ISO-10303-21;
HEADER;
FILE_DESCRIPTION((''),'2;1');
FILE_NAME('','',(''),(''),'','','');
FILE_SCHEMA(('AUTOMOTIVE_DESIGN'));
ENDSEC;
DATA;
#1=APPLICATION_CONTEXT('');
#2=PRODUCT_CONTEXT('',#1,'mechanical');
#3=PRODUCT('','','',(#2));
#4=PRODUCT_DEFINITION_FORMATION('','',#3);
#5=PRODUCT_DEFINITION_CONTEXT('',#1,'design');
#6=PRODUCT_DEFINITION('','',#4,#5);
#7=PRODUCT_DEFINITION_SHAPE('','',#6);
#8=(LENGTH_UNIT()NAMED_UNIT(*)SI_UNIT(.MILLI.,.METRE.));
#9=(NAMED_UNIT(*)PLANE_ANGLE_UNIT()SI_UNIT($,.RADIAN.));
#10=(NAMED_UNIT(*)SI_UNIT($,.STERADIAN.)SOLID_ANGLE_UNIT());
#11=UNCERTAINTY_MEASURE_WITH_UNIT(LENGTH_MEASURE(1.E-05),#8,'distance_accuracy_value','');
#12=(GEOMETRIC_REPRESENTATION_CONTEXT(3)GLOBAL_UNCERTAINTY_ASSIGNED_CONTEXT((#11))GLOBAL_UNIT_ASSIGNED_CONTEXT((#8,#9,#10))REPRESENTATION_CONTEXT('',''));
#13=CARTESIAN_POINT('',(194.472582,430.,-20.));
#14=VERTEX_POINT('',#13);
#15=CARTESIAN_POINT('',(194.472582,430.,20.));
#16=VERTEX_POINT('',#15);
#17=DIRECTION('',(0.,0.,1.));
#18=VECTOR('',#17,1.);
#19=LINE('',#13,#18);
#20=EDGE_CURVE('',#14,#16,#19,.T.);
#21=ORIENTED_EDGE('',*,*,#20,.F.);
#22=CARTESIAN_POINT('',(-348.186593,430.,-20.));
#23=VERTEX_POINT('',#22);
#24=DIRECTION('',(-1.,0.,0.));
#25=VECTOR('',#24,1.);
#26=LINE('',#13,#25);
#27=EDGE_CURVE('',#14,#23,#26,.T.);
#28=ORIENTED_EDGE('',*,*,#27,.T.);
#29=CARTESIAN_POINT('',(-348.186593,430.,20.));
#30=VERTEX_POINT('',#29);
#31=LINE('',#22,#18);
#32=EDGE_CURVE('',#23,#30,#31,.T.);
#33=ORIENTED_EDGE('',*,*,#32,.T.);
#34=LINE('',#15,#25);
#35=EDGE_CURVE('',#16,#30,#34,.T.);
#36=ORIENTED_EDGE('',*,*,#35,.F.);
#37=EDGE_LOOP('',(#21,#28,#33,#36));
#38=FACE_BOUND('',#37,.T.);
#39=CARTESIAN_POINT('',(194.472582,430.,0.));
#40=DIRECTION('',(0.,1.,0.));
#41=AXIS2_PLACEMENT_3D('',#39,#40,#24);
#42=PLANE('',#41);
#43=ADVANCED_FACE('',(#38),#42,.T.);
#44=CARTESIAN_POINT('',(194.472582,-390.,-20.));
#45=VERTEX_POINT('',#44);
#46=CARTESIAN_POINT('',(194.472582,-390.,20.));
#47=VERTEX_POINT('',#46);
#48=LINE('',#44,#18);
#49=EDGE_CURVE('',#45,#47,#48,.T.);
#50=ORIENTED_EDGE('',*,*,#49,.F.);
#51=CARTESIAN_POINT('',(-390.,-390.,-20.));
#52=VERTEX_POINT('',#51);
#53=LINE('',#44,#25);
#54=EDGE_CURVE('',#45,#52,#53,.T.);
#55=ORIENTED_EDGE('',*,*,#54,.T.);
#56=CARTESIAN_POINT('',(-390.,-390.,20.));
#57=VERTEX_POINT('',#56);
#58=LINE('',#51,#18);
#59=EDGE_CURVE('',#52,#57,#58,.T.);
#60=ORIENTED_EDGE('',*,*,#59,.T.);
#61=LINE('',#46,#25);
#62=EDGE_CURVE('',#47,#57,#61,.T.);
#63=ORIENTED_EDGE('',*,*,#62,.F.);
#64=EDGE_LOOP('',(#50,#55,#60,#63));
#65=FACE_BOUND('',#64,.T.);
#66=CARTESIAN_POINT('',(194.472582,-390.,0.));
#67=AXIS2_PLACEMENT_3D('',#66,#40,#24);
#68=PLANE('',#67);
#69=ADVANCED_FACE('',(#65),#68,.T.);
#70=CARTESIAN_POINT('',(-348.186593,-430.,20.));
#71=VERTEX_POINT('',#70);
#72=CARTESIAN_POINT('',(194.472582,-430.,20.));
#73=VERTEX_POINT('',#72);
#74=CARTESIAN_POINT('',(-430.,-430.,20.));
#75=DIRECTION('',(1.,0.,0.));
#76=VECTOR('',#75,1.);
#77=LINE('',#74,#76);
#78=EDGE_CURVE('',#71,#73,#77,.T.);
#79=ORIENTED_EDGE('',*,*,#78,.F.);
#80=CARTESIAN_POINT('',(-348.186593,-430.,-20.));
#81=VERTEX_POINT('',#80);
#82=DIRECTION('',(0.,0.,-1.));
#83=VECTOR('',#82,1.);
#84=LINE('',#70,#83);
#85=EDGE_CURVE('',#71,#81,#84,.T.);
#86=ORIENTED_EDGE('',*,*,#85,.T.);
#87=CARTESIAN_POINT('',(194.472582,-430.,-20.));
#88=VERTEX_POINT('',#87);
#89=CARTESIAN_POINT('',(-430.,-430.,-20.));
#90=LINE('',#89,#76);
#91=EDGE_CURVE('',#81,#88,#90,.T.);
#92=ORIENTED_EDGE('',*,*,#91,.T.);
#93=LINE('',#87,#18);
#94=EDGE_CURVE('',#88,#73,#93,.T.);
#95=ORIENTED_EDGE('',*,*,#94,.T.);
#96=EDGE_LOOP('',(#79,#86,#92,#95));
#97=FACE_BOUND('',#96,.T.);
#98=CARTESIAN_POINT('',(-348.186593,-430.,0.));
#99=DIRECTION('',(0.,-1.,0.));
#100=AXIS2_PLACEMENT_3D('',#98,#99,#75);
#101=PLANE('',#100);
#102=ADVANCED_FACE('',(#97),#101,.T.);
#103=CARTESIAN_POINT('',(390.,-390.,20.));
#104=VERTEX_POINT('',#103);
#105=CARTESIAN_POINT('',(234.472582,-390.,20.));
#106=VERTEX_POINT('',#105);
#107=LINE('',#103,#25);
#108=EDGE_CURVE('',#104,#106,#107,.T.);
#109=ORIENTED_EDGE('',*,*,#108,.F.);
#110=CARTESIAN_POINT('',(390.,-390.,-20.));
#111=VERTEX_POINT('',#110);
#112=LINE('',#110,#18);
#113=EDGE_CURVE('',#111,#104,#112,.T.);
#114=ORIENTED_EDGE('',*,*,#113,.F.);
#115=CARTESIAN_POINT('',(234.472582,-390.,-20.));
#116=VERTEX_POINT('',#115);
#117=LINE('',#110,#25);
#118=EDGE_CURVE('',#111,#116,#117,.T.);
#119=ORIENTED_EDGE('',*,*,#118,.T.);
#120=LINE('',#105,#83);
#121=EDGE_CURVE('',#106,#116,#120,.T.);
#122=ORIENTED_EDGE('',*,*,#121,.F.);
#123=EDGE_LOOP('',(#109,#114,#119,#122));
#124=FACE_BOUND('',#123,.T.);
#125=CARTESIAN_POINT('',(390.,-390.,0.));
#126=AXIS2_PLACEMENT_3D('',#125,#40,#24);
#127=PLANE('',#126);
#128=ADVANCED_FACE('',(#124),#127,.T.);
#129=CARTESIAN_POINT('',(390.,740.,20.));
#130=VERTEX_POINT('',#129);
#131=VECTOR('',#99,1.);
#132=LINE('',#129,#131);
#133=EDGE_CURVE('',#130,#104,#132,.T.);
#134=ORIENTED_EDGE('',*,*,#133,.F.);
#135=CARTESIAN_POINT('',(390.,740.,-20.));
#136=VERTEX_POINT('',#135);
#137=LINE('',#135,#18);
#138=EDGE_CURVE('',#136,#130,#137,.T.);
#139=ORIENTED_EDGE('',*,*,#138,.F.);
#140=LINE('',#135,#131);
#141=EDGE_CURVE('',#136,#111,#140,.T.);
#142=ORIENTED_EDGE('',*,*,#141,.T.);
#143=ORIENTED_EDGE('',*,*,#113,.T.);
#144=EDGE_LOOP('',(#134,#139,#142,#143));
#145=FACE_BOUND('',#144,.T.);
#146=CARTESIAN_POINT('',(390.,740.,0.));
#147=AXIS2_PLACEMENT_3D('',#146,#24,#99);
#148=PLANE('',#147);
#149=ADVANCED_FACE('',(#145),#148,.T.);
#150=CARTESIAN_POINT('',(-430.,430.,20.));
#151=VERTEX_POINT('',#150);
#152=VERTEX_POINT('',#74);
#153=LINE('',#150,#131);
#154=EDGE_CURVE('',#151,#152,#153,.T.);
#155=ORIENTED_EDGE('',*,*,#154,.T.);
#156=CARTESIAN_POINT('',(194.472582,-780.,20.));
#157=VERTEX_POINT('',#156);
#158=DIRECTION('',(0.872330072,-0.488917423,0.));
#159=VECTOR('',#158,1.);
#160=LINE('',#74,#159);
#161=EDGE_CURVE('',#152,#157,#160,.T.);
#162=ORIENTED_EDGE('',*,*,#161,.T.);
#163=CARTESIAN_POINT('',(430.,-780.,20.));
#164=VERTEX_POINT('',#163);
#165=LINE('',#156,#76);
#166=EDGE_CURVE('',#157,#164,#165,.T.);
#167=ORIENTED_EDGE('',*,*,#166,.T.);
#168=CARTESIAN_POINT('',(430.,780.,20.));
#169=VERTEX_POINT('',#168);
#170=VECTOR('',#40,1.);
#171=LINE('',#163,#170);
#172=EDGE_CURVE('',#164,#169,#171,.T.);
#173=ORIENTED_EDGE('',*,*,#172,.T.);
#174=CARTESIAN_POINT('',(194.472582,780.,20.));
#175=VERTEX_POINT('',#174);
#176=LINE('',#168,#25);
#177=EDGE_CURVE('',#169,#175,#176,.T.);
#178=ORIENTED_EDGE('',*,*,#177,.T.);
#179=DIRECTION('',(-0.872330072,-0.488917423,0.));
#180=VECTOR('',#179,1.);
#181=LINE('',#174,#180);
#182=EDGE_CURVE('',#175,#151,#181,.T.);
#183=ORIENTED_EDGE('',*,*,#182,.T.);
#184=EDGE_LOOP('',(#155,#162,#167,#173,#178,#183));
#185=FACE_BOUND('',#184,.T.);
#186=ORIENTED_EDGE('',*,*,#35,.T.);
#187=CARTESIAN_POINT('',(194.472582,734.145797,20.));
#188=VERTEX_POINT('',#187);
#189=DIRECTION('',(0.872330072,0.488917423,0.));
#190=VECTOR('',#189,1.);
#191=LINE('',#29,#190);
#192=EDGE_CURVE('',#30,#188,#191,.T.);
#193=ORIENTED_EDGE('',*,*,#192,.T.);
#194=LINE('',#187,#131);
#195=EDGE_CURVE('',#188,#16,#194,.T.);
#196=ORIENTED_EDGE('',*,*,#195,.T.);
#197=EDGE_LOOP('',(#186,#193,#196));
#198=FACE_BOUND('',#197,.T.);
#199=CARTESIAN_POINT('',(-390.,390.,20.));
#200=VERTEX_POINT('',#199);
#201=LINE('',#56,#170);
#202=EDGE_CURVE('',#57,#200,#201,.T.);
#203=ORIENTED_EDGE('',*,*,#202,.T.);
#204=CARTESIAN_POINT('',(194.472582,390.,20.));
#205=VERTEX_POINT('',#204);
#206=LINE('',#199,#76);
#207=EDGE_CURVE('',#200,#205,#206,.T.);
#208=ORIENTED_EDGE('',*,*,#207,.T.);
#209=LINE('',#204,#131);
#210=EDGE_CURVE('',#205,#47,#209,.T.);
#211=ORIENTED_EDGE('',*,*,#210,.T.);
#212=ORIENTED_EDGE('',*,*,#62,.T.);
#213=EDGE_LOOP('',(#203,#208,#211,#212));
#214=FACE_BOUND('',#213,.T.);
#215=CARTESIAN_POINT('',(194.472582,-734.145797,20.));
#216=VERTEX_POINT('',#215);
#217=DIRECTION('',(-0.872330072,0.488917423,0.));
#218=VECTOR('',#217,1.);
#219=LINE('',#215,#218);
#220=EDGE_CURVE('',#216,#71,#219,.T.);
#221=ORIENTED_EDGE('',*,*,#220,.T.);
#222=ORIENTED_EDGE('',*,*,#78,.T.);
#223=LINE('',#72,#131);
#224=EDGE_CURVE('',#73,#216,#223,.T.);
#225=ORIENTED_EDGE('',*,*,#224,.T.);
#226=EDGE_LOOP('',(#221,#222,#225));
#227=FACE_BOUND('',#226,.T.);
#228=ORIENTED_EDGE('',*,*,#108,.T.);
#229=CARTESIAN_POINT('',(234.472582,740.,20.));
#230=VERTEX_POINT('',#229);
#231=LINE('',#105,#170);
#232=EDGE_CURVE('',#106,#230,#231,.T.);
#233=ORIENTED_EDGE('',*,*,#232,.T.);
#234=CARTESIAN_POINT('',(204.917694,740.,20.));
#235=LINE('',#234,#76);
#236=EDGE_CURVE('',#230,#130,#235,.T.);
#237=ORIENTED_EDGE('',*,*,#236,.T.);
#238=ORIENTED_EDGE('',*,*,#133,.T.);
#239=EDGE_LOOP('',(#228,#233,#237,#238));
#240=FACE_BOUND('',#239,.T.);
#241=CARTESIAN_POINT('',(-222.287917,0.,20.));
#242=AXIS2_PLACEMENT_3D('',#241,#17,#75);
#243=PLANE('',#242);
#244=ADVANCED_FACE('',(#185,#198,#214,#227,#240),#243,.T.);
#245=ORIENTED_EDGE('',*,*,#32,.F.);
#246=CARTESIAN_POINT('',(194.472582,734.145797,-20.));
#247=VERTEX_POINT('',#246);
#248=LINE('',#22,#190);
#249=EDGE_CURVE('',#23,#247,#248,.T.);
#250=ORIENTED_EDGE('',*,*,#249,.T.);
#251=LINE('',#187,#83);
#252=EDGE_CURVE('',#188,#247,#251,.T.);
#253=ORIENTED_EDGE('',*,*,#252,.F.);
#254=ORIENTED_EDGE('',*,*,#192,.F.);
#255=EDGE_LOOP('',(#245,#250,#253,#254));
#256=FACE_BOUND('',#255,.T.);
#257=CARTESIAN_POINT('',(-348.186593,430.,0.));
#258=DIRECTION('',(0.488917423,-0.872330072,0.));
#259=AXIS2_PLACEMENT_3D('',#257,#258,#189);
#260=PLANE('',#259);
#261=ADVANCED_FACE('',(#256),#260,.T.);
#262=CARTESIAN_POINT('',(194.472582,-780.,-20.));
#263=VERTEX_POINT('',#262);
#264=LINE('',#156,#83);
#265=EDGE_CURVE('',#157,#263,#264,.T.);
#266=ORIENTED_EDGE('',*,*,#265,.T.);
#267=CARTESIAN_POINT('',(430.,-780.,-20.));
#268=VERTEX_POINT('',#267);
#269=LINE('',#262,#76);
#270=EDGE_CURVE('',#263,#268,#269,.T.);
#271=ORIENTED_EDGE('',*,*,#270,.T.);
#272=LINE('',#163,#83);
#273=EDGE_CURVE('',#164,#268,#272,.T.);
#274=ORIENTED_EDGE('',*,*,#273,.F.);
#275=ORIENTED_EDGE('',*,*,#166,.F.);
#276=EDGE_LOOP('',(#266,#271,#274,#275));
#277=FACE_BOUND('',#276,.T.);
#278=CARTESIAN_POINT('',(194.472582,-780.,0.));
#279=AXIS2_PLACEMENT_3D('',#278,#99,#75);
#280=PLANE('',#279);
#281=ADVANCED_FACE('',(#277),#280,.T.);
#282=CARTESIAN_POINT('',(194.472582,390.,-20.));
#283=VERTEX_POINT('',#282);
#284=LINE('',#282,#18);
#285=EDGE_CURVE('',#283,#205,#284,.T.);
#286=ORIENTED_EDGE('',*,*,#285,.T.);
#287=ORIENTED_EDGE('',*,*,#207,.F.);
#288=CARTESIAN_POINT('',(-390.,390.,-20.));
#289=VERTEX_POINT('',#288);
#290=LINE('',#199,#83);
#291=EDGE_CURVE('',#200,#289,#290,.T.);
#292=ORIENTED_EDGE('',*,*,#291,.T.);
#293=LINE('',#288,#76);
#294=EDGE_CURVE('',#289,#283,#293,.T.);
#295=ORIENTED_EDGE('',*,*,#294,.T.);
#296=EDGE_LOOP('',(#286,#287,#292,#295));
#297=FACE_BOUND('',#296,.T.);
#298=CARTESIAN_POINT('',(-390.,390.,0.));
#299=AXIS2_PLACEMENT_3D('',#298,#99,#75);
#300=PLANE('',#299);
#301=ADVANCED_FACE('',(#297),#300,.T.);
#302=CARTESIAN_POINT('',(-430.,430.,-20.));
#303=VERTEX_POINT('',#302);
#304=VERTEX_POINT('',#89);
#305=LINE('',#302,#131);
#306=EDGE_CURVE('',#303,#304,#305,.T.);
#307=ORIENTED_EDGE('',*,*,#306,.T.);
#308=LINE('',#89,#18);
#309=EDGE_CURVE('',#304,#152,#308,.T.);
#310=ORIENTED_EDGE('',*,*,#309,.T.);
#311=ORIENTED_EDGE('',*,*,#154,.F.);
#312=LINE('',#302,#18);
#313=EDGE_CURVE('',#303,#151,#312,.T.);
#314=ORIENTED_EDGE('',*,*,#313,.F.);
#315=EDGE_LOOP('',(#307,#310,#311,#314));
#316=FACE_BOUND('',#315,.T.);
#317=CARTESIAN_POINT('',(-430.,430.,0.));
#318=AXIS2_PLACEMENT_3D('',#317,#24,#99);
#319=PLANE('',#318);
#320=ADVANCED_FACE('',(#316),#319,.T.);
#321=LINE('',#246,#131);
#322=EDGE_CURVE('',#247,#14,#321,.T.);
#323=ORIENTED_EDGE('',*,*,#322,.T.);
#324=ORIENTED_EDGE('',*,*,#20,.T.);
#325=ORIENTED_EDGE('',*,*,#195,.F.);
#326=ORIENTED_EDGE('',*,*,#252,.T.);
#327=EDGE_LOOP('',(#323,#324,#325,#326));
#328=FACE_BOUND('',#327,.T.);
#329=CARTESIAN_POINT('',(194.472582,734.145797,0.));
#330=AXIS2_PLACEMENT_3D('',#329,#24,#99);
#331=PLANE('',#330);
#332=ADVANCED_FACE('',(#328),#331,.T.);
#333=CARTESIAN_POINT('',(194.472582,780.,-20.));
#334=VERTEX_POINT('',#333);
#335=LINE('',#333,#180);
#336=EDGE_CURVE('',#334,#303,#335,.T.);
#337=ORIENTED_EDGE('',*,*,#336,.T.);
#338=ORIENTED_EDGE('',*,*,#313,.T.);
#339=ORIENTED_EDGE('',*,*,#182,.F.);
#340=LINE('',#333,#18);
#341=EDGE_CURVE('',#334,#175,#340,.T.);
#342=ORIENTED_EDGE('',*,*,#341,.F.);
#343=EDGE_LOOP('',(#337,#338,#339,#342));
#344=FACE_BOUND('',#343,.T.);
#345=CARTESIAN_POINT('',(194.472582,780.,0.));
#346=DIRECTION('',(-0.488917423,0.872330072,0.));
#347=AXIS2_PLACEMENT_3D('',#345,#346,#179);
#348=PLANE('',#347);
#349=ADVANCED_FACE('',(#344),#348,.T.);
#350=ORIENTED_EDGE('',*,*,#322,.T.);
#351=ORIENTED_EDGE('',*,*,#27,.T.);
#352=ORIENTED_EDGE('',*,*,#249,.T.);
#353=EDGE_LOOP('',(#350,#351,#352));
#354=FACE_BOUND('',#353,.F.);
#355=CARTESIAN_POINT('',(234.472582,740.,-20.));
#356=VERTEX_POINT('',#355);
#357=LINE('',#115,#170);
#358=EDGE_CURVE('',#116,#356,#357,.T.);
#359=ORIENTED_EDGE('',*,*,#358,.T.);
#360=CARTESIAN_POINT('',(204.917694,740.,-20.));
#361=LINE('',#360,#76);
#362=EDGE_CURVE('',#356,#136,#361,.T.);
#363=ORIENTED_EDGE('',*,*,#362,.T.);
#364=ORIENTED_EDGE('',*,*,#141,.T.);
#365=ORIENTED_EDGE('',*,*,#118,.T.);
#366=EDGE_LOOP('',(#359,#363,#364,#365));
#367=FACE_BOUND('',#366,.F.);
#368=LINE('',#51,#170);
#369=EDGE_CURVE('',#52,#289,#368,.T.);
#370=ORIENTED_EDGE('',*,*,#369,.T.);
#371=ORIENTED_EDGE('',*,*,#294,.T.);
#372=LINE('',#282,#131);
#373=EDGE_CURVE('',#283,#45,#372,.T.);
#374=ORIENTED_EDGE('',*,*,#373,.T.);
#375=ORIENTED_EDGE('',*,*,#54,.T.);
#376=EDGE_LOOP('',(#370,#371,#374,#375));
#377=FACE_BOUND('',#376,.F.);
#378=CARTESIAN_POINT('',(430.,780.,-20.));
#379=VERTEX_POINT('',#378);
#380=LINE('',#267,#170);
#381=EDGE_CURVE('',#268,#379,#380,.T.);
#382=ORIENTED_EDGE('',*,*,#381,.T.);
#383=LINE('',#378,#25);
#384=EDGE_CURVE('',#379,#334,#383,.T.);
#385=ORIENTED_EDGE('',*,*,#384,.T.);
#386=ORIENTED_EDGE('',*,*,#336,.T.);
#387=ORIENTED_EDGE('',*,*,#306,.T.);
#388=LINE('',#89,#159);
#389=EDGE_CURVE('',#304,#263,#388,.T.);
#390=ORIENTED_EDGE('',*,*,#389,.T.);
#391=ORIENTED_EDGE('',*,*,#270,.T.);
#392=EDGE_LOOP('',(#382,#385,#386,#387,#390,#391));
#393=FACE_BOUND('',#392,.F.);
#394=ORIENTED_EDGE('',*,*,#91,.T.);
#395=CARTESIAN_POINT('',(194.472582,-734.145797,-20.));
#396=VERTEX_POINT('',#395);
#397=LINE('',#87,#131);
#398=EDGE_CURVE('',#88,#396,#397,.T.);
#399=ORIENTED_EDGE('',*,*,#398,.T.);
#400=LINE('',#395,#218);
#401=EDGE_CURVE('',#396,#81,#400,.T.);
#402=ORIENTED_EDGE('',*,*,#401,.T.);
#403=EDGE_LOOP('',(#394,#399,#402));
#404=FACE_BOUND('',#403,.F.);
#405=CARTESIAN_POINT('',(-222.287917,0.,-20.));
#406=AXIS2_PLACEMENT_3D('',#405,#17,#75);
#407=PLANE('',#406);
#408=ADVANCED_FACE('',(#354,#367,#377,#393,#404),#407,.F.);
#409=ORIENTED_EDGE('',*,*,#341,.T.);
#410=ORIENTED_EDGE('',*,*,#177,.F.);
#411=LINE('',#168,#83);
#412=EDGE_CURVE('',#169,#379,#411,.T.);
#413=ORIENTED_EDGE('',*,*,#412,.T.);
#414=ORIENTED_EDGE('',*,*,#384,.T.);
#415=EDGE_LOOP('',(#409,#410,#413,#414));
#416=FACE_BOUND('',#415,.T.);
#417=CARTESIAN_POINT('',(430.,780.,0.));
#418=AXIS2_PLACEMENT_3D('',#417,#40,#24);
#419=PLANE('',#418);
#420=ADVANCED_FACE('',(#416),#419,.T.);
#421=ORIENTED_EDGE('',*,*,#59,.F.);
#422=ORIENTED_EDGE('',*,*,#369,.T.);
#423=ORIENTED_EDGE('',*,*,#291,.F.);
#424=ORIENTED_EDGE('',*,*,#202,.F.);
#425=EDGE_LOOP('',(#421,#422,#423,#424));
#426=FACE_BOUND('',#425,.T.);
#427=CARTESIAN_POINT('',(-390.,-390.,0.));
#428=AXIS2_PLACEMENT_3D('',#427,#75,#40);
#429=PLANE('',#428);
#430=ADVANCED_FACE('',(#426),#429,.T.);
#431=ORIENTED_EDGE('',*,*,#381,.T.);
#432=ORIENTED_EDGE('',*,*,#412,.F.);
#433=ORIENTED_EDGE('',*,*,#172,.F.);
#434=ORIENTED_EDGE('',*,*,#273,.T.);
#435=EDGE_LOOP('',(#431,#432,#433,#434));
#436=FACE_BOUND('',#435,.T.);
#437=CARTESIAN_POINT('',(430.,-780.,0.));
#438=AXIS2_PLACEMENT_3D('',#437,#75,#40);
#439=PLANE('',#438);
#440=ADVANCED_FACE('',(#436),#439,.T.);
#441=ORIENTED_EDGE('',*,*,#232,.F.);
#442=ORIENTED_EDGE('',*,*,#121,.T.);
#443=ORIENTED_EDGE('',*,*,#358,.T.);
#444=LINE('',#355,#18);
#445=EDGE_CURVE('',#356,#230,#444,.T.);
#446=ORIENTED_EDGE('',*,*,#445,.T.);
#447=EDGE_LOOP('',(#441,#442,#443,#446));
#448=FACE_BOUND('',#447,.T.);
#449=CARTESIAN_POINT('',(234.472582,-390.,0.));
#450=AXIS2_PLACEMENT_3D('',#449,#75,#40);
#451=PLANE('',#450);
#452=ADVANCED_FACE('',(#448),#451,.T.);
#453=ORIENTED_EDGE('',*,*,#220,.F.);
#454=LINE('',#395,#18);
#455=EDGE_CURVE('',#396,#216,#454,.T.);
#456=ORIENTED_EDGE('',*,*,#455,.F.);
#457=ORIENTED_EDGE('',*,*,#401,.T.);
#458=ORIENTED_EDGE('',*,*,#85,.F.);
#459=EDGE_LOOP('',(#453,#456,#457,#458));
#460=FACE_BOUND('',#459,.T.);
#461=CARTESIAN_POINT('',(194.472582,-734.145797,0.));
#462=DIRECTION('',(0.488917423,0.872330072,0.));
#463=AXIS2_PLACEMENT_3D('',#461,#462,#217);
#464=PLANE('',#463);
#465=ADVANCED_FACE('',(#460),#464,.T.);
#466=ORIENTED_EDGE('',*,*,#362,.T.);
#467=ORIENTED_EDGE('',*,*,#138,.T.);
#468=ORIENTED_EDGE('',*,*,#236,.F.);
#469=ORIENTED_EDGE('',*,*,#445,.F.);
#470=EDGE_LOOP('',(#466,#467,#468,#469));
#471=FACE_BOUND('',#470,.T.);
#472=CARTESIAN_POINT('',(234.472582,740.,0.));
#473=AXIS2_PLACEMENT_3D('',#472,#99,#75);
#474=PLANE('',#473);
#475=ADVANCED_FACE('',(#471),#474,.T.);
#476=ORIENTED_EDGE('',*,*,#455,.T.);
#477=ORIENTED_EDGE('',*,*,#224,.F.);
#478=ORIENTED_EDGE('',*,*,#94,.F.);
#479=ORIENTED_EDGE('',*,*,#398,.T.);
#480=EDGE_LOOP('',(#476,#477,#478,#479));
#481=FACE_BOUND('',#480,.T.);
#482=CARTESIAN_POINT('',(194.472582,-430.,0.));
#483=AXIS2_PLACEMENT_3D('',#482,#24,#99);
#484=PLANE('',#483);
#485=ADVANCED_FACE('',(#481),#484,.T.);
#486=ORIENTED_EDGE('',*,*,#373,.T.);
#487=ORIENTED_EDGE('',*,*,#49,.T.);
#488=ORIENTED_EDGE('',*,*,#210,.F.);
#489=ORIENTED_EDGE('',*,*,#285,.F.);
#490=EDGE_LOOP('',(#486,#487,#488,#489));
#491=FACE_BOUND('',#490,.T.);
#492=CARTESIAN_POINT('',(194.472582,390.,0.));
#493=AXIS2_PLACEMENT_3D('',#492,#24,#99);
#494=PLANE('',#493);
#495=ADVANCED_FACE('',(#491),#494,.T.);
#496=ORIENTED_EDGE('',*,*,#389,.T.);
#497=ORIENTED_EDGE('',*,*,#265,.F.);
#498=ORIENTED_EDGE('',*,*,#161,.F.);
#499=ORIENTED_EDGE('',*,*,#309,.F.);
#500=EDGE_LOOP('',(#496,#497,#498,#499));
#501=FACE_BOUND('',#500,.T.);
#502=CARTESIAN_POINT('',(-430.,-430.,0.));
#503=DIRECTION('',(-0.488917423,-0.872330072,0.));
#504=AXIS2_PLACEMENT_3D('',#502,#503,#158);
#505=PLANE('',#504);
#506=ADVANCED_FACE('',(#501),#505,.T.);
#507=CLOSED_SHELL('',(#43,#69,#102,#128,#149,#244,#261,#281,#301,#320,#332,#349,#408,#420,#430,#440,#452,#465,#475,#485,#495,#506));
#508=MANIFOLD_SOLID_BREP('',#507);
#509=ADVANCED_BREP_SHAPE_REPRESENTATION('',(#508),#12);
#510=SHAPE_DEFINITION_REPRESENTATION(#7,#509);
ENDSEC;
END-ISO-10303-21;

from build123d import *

# Parameters (mm, degrees)
F0_W     = 40
F0_H     = 40
F1_DEPTH = 20


with BuildPart() as f1:
    # F0 (on Top) → F1 (new body, symmetric)
    with BuildSketch(Plane.XY):
        Polygon((-390, -390), (-390, 390), (194.4725817442, 390), (194.4725817442, 430), (-348.1865931569, 430), (-430, 430), (-430, -430), (-348.1865931569, -430), (194.4725817442, -430), (194.4725817442, -390), align=None)
        Polygon((390, 430), (390, 390), (390, 300), (390, -390), (234.4725817442, -390), (234.4725817442, -430), (390, -430), (430, -430), (430, 430), align=None)
        Polygon((-430, 430), (-348.1865931569, 430), (194.4725817442, 734.145797218), (194.4725817442, 780), align=None)
        Polygon((194.4725817442, 780), (194.4725817442, 734.145797218), (204.9176935308, 740), (234.4725817442, 740), (234.4725817442, 780), align=None)
        Polygon((390, 740), (390, 430), (430, 430), (430, 780), (234.4725817442, 780), (234.4725817442, 740), align=None)
        Polygon((194.4725817442, -734.145797218), (-348.1865931569, -430), (-430, -430), (194.4725817442, -780), align=None)
        Polygon((204.9176935308, -740), (194.4725817442, -734.145797218), (194.4725817442, -780), (430, -780), (430, -430), (390, -430), (390, -740), align=None)
        Polygon((234.4725817442, 390), (194.4725817442, 390), (194.4725817442, -390), (234.4725817442, -390), (234.4725817442, -300), align=None)
        Polygon((194.4725817442, 734.145797218), (194.4725817442, 430), (234.4725817442, 430), (234.4725817442, 740), (204.9176935308, 740), align=None)
        Polygon((234.4725817442, -430), (194.4725817442, -430), (194.4725817442, -734.145797218), (204.9176935308, -740), (390, -740), (390, -430), align=None)
        with Locations((214.4725817442, -410)):
            Rectangle(F0_W, F0_H)
        with Locations((214.4725817442, 410)):
            Rectangle(F0_W, F0_H)
    extrude(amount=F1_DEPTH, both=True)


solid = f1.part
